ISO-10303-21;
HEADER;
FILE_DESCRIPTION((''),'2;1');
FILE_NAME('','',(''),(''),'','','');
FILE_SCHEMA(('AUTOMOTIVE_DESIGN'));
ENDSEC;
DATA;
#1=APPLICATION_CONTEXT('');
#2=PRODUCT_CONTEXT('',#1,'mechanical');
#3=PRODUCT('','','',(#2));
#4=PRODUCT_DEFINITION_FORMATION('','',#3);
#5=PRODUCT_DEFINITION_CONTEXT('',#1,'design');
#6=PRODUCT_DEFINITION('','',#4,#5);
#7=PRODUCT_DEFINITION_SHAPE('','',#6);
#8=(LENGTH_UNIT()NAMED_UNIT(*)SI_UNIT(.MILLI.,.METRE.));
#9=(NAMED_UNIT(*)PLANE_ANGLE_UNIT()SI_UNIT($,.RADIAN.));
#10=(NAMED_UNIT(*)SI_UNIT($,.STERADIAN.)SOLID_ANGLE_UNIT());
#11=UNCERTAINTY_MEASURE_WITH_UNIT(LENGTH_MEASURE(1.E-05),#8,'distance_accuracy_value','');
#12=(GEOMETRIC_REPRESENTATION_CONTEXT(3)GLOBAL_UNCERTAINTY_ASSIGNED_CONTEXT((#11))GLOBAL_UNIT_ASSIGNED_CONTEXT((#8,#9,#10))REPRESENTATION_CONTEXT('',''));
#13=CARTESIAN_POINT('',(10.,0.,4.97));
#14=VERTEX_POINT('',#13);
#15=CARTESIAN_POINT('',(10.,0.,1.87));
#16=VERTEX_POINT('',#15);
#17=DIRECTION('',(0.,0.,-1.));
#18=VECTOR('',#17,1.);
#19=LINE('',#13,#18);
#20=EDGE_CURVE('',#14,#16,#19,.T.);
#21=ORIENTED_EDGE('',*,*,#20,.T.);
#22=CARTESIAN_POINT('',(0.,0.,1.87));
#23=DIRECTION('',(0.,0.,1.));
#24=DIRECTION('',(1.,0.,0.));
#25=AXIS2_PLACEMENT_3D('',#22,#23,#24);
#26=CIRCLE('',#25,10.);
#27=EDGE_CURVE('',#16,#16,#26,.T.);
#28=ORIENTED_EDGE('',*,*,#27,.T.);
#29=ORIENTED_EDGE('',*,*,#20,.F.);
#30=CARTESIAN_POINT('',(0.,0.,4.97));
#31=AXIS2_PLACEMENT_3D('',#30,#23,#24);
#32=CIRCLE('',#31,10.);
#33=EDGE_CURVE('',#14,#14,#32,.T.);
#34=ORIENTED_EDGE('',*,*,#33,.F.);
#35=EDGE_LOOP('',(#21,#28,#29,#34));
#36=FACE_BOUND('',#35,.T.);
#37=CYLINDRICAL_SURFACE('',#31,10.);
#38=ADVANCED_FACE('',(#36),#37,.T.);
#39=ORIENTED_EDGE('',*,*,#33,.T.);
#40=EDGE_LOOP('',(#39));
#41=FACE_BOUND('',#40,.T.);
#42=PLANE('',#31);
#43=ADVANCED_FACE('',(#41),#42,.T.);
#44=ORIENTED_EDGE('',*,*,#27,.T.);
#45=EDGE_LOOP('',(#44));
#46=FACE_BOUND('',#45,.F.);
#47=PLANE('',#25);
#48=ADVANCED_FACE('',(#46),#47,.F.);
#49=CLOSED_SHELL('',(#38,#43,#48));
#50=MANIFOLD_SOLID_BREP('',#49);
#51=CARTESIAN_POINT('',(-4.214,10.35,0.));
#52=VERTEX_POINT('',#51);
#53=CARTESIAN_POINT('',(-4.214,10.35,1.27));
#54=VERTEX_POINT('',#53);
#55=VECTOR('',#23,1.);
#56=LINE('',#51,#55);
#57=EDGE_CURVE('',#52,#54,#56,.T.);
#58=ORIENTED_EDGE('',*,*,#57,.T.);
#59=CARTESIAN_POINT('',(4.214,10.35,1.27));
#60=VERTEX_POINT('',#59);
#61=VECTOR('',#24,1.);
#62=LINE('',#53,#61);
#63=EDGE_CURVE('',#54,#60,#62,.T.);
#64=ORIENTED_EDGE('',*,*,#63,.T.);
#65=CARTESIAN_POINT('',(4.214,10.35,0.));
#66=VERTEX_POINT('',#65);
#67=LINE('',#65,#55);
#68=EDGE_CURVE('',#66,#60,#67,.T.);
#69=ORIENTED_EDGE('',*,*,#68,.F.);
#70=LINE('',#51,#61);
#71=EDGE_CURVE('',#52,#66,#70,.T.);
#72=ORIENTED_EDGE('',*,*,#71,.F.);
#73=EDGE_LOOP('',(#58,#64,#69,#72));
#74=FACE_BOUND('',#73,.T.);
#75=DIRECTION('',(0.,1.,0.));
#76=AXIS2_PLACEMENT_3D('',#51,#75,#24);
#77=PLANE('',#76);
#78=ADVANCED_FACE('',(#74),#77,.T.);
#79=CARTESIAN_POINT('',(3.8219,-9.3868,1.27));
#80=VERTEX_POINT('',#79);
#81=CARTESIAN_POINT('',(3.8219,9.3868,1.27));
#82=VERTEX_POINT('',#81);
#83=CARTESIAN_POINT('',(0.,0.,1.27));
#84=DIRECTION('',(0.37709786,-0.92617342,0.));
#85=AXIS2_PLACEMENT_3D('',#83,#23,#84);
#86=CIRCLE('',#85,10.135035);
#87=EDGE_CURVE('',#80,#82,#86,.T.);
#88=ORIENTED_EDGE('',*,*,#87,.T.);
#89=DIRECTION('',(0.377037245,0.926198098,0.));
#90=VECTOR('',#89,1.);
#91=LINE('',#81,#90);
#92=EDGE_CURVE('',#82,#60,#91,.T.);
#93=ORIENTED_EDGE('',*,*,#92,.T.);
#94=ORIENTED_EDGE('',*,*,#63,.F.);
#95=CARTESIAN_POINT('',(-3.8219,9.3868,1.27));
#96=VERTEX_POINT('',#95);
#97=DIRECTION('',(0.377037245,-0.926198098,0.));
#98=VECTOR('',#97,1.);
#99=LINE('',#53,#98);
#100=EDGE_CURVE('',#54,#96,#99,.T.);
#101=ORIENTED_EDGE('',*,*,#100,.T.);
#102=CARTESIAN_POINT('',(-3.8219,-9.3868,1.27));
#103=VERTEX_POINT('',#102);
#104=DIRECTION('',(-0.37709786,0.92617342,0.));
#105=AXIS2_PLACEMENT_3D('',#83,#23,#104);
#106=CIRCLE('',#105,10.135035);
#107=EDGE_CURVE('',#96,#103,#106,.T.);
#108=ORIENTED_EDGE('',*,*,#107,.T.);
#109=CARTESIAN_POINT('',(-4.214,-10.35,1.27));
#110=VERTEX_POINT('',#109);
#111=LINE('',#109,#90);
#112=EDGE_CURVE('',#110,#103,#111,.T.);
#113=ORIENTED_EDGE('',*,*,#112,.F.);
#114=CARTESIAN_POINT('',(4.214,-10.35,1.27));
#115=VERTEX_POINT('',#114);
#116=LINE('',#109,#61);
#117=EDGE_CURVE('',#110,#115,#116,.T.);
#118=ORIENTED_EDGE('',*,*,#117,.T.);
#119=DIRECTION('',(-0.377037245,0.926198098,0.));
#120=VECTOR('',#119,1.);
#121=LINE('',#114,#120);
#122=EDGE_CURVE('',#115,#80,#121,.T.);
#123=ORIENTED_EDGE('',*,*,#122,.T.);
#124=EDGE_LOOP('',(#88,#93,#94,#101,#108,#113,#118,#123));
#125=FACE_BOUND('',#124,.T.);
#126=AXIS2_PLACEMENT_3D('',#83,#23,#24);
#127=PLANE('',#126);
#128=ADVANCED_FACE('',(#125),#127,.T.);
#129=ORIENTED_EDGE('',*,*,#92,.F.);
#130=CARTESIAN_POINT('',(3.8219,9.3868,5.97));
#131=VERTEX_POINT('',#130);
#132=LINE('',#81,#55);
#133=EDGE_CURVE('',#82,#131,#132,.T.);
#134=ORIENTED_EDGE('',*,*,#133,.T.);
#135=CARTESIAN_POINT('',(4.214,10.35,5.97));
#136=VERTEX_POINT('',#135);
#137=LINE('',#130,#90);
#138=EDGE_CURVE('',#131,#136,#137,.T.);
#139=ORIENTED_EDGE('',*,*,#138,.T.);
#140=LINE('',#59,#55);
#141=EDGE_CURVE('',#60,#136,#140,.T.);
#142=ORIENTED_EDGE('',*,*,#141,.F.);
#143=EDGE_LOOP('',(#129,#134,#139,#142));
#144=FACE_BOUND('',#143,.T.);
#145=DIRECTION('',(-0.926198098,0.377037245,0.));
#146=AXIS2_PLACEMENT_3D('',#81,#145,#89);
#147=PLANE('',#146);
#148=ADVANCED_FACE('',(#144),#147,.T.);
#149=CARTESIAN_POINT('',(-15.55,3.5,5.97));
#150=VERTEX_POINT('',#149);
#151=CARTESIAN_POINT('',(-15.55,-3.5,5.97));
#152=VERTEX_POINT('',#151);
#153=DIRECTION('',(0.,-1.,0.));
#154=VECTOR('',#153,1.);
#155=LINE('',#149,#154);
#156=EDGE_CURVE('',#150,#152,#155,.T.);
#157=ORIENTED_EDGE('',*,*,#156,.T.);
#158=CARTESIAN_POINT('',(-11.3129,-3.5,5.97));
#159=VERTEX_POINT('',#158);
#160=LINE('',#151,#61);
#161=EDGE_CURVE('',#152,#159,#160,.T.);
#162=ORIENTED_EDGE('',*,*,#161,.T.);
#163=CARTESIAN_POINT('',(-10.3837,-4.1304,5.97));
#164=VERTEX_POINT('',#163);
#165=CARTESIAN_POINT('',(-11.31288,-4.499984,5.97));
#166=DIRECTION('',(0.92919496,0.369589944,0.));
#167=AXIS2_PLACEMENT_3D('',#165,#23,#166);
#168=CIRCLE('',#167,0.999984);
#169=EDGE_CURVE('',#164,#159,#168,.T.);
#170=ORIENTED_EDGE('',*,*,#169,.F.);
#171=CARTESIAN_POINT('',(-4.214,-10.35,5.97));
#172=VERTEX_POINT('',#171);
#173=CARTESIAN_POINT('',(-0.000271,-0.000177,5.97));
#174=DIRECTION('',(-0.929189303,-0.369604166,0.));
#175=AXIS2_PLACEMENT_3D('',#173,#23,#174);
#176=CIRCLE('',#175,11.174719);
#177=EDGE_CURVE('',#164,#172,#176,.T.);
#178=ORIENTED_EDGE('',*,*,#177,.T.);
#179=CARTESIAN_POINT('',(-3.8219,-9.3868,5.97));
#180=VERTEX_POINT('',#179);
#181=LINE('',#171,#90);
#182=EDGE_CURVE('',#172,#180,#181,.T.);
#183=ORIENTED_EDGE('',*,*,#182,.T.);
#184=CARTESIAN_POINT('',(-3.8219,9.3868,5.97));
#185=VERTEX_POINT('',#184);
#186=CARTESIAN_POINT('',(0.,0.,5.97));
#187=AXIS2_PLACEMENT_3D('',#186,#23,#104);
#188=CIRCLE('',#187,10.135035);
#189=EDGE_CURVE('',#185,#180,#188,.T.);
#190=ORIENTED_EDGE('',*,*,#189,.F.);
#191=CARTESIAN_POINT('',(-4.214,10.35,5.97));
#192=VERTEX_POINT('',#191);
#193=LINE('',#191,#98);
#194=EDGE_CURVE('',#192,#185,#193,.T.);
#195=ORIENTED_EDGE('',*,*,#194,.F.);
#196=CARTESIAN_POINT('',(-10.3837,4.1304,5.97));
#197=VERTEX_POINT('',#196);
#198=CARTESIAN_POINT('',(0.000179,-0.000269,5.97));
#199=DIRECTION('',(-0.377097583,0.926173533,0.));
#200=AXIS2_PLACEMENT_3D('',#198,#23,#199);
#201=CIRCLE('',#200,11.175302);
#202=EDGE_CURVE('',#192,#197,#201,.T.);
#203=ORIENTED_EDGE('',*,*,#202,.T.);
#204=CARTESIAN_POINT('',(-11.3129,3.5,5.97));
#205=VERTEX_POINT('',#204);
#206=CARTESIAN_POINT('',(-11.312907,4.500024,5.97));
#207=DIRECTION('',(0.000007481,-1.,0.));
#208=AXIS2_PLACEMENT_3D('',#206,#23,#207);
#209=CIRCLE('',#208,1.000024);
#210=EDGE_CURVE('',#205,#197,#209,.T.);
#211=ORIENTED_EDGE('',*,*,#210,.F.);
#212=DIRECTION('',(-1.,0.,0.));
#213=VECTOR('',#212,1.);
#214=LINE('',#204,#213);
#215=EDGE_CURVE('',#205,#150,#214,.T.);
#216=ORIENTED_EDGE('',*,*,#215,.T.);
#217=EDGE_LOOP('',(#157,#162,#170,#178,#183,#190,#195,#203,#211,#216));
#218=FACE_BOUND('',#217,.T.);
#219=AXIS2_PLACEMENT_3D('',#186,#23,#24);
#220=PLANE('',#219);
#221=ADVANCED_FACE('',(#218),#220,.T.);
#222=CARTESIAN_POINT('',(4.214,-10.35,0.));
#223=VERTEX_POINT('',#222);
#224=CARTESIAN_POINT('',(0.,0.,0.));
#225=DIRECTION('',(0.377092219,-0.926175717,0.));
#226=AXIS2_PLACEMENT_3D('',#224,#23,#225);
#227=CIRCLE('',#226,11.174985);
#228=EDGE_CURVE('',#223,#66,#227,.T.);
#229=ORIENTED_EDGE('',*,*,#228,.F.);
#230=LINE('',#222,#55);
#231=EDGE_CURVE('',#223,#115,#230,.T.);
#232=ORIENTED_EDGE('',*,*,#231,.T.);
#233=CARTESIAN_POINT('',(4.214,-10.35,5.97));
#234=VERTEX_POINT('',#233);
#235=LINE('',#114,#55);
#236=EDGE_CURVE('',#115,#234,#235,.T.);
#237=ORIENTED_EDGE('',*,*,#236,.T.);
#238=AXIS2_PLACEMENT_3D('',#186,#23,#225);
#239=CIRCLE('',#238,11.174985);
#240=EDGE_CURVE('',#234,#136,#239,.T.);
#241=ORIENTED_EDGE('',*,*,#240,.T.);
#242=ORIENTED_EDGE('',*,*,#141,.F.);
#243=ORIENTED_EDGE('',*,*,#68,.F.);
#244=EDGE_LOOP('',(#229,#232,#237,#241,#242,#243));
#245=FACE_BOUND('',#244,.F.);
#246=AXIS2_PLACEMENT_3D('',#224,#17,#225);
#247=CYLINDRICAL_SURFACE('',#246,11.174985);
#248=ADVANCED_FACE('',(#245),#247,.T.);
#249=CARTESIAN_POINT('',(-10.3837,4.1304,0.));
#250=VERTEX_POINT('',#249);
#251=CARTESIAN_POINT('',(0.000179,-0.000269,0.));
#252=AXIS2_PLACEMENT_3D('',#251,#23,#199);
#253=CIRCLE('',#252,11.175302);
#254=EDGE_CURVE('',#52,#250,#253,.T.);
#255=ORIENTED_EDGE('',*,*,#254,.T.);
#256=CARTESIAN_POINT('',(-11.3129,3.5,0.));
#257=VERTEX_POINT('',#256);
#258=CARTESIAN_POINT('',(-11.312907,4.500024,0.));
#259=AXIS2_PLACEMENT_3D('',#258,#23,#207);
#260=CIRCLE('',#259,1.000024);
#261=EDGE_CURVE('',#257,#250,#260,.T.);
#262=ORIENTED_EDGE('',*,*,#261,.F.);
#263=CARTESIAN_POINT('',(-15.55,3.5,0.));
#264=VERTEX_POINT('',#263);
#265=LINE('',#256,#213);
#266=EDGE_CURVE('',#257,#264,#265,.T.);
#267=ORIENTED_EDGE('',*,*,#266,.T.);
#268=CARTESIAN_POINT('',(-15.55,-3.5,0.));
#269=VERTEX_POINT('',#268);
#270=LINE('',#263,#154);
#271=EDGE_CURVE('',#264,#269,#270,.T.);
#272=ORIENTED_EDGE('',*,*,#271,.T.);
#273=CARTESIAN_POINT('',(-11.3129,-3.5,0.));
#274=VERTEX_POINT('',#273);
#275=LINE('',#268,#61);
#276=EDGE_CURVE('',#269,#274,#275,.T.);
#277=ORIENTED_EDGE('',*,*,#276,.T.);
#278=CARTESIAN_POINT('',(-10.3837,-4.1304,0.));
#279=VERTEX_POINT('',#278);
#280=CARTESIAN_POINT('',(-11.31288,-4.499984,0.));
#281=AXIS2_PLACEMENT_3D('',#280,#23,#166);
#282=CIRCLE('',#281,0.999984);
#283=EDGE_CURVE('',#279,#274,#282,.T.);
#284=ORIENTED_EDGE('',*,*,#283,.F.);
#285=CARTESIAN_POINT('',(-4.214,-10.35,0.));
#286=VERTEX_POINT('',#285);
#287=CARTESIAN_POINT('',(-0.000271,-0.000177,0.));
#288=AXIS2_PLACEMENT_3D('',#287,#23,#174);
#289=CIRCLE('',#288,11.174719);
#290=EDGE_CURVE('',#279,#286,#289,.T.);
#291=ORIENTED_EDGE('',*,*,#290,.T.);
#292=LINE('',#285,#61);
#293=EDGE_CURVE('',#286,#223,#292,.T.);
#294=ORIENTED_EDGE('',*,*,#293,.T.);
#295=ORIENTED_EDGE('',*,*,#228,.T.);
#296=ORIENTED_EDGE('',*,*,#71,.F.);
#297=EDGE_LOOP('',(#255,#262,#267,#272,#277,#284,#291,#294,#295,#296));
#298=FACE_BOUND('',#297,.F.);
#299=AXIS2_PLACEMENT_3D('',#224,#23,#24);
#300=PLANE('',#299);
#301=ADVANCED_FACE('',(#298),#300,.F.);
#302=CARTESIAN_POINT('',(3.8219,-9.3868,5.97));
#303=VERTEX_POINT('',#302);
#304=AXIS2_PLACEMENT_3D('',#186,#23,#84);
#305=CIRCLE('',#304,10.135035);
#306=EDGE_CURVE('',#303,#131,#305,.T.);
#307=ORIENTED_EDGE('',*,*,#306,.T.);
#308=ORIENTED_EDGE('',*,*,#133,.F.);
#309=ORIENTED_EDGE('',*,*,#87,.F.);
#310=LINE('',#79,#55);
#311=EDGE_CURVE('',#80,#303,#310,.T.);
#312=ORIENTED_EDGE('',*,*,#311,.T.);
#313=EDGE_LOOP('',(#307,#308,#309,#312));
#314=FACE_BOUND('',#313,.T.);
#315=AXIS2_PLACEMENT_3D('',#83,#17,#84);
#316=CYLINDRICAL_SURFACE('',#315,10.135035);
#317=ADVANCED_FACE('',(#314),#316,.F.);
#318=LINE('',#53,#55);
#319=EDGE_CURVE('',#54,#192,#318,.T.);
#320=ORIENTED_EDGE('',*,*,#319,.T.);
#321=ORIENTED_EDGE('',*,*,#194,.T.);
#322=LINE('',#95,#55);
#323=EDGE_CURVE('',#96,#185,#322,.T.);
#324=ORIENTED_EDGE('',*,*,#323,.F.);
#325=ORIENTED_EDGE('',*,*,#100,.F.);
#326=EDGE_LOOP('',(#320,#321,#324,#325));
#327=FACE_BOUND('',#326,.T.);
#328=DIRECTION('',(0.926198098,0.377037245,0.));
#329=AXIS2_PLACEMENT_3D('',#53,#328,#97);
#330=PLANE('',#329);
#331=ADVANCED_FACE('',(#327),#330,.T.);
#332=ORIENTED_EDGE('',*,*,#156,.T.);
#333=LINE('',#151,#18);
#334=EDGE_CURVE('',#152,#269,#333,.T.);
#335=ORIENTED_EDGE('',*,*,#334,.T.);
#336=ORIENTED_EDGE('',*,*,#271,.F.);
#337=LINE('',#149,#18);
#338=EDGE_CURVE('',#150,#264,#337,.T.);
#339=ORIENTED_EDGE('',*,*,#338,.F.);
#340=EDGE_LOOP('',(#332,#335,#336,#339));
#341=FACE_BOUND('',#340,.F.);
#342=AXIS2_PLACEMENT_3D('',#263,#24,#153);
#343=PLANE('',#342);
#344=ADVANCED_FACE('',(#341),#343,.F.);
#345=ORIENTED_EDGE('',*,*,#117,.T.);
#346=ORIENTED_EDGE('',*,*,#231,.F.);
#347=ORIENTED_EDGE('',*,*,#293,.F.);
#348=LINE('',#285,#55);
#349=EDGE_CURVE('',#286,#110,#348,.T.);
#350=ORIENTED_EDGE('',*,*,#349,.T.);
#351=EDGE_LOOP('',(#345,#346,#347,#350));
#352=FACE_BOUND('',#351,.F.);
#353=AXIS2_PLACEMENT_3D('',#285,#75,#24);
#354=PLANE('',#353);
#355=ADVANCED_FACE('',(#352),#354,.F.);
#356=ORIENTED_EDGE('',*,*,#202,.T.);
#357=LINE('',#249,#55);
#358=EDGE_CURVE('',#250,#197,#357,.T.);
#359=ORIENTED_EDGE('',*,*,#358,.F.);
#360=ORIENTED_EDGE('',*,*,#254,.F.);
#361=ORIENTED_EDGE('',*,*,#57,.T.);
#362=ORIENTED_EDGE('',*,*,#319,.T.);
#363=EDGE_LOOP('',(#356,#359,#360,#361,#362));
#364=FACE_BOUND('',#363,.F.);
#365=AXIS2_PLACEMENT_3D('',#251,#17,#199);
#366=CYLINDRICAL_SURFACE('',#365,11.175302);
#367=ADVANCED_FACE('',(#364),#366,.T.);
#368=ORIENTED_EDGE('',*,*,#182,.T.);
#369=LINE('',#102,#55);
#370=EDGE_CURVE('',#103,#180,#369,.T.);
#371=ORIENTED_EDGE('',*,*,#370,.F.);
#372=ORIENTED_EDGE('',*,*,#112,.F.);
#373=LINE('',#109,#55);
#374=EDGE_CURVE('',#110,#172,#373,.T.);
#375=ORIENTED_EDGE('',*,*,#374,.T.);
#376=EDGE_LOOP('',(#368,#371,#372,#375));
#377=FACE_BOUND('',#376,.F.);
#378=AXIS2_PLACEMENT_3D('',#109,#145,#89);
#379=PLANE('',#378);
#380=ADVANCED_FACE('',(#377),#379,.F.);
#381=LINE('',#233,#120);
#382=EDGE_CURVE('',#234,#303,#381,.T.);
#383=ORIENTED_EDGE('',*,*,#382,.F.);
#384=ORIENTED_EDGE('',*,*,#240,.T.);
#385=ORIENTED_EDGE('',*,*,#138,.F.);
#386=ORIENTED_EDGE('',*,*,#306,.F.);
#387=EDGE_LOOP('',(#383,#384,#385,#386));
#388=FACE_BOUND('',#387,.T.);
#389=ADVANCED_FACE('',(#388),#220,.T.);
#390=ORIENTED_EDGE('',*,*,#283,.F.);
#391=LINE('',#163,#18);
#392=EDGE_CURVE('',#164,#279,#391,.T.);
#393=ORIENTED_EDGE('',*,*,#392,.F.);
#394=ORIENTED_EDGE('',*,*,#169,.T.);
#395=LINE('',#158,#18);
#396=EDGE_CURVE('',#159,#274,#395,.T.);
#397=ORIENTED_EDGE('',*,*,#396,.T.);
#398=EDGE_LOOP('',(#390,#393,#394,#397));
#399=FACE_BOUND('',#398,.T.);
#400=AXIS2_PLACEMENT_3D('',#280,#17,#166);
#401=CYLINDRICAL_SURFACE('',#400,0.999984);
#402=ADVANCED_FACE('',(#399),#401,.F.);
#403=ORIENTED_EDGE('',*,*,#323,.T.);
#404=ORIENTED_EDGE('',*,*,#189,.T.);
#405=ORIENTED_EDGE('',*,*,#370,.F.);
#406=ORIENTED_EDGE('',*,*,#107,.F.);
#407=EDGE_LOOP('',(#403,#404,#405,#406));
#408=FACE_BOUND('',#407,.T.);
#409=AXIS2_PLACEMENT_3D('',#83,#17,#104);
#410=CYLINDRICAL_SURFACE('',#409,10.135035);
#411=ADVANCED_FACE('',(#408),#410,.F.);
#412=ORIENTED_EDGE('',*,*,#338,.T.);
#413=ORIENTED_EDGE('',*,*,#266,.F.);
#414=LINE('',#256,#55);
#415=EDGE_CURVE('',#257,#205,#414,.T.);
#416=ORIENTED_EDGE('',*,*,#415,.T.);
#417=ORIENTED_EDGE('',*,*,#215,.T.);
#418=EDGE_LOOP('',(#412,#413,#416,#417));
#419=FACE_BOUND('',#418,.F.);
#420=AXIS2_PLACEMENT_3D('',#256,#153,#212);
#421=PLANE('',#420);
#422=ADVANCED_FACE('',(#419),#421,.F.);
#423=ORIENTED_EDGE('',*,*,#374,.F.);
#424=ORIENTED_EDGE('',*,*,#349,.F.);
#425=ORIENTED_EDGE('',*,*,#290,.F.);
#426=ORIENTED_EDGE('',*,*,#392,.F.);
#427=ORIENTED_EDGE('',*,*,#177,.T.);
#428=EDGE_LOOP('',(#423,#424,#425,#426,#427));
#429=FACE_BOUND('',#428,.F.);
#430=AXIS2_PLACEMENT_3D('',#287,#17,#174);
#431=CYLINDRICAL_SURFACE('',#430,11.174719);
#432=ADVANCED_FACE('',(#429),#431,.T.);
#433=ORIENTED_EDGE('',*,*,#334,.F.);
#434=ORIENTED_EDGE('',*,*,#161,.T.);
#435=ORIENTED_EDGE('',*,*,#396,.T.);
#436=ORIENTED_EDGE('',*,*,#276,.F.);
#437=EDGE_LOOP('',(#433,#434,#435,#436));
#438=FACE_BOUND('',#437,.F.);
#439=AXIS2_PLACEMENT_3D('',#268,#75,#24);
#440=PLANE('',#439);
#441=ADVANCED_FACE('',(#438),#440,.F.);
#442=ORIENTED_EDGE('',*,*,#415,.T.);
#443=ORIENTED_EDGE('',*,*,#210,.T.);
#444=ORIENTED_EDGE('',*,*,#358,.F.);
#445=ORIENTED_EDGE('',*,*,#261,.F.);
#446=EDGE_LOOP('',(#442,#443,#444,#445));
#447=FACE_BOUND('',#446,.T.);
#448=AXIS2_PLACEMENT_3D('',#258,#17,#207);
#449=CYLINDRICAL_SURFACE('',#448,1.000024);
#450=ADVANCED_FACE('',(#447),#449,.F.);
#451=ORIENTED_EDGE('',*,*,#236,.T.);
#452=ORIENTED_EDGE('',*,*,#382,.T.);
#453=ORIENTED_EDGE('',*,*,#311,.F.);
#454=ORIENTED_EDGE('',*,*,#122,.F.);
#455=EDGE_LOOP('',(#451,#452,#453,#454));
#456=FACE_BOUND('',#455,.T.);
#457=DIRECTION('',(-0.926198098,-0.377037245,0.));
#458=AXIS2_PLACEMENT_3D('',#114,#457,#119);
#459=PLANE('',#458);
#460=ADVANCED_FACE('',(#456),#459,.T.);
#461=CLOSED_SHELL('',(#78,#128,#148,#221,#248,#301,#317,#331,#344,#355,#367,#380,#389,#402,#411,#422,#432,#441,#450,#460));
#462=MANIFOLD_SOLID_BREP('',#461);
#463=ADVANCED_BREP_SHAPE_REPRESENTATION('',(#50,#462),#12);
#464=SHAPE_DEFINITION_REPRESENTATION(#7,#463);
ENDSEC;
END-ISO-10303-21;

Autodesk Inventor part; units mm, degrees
ref_plane "YZ Plane" through (0, 0, 0) normal (1, 0, 0) x (0, 1, 0)
ref_plane "XZ Plane" through (0, 0, 0) normal (0, 1, 0) x (-1, 0, 0)
sketch "Skizze1" plane through (0, 0, 0) normal (0, 0, 1) x (1, 0, 0)
  line L0 (-4.214, 10.35) -> (4.214, 10.35)
  line L1 (-4.214, -10.35) -> (4.214, -10.35)
  line L2 (-11.3129, 3.5) -> (-15.55, 3.5)
  line L3 (-15.55, 3.5) -> (-15.55, -3.5)
  line L4 (-15.55, -3.5) -> (-11.3129, -3.5)
  arc A0 (-10.3837, -4.1304) -> (-4.214, -10.35) centre (0, 0) ccw
  arc A1 (-4.214, 10.35) -> (-10.3837, 4.1304) centre (0, 0) ccw
  arc A2 (4.214, -10.35) -> (4.214, 10.35) centre (0, 0) ccw
  line L5 (-15.55, 0) -> (0, 0) construction
  arc A3 (-11.3129, 3.5) -> (-10.3837, 4.1304) centre (-11.3129, 4.5) ccw
  arc A4 (-10.3837, -4.1304) -> (-11.3129, -3.5) centre (-11.3129, -4.5) ccw
  point P0 (-10.6128, -3.5)
  point P1 (-10.6128, 3.5)
  dimension "d0" = 7
  dimension "d1" = 20.7
  dimension "d2" = 11.175
  dimension "d5" = 1
  dimension "d6" = 15.55
extrude "Extrusion1" add sketch "Skizze1" along normal blind 1.27
sketch "Skizze2" plane through (0, 0, 1.27) normal (0, 0, 1) x (1, 0, 0)
  line L0 (4.214, 10.35) -> (-4.214, 10.35) projected
  arc A0 (-4.214, 10.35) -> (-10.3837, 4.1304) centre (0, 0) ccw projected
  arc A1 (-11.3129, 3.5) -> (-10.3837, 4.1304) centre (-11.3129, 4.5) ccw projected
  line L1 (-11.3129, 3.5) -> (-15.55, 3.5) projected
  line L2 (-15.55, 3.5) -> (-15.55, -3.5) projected
  line L3 (-15.55, -3.5) -> (-11.3129, -3.5) projected
  arc A2 (-10.3837, -4.1304) -> (-11.3129, -3.5) centre (-11.3129, -4.5) ccw projected
  arc A3 (-10.3837, -4.1304) -> (-4.214, -10.35) centre (0, 0) ccw projected
  line L4 (-4.214, -10.35) -> (4.214, -10.35) projected
  arc A4 (4.214, -10.35) -> (4.214, 10.35) centre (0, 0) ccw projected
  arc A5 (-3.8219, 9.3868) -> (-3.8219, -9.3868) centre (0, 0) ccw
  arc A6 (3.8219, -9.3868) -> (3.8219, 9.3868) centre (0, 0) ccw
  line L5 (-4.214, 10.35) -> (-3.8219, 9.3868)
  line L6 (3.8219, 9.3868) -> (4.214, 10.35)
  line L7 (-4.214, -10.35) -> (-3.8219, -9.3868)
  line L8 (4.214, -10.35) -> (3.8219, -9.3868)
  dimension "d7" = 10.135
extrude "Extrusion2" add sketch "Skizze2" along normal blind 4.7 contours A4 L8 A6 L6 | L5 A5 L7 A3 A2 L3 L2 L1 A1 A0
ref_plane "Arbeitsebene1" through (0, 0, 4.97) normal (0, 0, 1) x (1, 0, 0)
sketch "Skizze3" plane through (0, 0, 4.97) normal (0, 0, 1) x (1, 0, 0)
  circle A0 centre (0, 0) radius 10
  dimension "d11" = 20
extrude "Extrusion3" add sketch "Skizze3" against normal blind 3.1
properties part number "Keystone_1070"
